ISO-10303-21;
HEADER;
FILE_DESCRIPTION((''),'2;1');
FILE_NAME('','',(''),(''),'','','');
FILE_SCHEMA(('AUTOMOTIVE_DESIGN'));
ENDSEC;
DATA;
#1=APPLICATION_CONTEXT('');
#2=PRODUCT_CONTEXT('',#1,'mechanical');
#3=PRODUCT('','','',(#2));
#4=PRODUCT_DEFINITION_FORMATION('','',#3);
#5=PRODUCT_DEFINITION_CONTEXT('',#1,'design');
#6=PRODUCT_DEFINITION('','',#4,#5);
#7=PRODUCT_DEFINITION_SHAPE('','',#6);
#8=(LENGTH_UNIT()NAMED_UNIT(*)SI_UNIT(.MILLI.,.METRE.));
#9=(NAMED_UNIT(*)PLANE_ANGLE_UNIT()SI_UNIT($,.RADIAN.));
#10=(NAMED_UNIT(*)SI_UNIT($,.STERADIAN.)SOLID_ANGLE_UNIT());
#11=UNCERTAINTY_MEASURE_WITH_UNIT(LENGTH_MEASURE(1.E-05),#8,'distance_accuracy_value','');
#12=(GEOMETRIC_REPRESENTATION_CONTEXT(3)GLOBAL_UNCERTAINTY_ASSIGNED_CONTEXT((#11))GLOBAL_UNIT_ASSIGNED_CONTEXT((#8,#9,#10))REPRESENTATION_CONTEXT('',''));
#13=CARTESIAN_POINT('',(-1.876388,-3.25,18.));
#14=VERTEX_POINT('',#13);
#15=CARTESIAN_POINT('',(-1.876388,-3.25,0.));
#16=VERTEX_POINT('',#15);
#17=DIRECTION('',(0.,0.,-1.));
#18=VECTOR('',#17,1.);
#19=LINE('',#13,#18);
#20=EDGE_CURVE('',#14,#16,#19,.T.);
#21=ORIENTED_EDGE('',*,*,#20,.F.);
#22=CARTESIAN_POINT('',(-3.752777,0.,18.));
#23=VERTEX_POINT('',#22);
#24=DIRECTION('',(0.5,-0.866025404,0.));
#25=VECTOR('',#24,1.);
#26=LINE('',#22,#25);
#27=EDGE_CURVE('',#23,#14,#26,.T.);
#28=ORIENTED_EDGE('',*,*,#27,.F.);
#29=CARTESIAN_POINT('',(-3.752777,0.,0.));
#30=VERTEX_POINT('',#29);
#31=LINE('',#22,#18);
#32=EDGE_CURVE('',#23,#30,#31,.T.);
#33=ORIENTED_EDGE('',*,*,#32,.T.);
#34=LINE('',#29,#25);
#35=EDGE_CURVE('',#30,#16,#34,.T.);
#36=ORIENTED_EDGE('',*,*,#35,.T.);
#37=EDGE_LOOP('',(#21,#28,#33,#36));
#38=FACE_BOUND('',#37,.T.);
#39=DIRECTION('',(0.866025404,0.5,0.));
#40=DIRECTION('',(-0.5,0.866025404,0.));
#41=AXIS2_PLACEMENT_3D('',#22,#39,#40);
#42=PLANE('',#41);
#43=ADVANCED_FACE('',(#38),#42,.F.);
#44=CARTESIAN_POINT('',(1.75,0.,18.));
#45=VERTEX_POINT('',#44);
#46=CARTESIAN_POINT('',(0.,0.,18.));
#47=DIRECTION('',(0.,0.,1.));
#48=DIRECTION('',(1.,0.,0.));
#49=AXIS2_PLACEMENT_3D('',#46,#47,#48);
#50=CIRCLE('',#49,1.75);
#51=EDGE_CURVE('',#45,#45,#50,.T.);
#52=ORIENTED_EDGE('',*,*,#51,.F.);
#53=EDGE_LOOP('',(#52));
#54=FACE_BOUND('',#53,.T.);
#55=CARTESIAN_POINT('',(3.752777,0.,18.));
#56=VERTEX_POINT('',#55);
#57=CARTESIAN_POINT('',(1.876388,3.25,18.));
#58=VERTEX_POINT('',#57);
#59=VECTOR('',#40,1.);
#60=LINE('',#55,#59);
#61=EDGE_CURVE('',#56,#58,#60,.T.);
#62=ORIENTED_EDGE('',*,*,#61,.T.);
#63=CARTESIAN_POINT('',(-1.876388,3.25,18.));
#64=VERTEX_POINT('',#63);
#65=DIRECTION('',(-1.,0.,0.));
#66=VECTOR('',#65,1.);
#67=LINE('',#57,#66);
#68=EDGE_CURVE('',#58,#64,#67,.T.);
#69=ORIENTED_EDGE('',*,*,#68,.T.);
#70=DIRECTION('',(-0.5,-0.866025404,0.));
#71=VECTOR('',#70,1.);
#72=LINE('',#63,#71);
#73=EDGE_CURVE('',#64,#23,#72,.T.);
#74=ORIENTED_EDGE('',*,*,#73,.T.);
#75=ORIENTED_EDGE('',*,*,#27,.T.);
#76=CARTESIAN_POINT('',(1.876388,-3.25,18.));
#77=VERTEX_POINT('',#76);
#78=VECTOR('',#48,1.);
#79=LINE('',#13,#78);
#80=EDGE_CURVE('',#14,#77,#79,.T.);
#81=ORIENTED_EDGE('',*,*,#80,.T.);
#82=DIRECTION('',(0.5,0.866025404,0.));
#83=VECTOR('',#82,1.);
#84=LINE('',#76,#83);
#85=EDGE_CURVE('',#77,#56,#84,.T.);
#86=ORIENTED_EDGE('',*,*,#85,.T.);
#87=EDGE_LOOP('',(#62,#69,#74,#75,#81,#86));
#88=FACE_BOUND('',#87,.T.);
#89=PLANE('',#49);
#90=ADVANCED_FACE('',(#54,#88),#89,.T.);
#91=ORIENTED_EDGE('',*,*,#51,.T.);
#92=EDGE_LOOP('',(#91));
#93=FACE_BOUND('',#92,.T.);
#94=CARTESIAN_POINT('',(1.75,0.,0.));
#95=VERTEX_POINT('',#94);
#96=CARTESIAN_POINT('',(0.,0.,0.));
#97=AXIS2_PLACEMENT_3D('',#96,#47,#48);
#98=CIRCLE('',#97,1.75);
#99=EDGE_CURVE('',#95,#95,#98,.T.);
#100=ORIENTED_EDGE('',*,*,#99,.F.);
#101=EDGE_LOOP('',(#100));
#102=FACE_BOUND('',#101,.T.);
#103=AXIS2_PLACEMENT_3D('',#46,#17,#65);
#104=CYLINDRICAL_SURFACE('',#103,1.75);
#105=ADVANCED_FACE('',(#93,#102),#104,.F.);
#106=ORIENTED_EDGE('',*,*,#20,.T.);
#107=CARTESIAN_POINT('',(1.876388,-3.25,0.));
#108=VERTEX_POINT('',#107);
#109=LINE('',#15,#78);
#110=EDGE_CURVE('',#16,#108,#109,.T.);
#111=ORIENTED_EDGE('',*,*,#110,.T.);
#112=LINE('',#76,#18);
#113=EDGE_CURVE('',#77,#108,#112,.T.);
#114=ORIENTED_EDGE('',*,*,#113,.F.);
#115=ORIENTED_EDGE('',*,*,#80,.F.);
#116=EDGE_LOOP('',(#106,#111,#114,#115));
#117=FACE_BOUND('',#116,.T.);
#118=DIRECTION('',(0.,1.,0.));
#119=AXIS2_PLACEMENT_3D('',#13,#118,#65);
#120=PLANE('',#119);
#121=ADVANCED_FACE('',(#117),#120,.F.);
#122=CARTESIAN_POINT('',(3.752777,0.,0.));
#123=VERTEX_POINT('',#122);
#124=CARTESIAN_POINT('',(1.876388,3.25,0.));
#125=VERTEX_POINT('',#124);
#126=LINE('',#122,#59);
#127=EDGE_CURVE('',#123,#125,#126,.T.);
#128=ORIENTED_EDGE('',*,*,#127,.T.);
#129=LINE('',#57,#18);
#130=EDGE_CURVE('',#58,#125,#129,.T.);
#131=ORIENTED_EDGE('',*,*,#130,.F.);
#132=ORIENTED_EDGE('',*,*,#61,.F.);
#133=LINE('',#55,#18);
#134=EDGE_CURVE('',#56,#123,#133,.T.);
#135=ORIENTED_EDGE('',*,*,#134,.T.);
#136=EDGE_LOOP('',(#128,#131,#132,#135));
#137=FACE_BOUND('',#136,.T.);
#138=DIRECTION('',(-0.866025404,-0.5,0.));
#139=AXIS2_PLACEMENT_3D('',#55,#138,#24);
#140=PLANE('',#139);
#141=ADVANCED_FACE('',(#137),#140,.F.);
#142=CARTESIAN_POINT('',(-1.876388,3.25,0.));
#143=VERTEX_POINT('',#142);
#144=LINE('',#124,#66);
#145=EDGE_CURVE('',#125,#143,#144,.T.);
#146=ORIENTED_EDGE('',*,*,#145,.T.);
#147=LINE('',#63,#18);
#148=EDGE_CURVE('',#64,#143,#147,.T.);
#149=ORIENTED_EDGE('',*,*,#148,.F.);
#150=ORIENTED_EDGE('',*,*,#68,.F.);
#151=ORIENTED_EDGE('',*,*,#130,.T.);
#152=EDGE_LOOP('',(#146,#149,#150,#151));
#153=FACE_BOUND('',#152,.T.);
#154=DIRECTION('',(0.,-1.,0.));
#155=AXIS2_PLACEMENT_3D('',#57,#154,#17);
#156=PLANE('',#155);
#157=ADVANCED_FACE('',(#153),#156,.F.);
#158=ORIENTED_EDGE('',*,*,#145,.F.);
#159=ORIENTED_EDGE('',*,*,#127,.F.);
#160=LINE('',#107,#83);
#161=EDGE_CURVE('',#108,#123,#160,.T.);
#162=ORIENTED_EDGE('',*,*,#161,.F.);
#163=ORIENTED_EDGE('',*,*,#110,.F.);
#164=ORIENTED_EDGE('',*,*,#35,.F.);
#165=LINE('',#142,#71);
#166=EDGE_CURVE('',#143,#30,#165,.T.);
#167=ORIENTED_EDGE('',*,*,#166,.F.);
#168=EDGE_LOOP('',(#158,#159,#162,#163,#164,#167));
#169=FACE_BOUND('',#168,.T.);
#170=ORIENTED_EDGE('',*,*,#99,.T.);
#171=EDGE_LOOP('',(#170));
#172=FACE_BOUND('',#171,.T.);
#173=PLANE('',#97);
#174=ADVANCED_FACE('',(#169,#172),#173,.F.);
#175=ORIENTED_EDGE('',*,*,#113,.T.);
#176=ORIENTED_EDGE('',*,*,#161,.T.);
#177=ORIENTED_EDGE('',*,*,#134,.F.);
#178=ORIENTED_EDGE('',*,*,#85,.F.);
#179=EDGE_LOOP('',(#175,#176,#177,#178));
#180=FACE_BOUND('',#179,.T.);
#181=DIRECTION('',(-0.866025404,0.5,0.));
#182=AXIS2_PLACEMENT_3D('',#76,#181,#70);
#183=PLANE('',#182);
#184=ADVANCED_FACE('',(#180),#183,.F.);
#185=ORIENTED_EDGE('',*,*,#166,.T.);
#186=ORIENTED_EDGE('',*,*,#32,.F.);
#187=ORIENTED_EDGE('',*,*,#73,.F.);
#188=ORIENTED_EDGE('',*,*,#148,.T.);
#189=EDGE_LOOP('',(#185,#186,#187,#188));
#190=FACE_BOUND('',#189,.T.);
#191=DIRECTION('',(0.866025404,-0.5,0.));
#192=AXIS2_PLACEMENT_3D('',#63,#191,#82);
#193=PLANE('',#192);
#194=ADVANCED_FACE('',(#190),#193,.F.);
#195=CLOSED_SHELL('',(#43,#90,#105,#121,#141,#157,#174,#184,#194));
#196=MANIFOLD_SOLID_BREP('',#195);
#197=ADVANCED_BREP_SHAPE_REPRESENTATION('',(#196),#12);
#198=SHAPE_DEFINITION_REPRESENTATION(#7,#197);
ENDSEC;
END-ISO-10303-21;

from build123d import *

# Parameters (mm, degrees)
CROQUIS1_R              = 1.75
SALIENTE_EXTRUIR1_DEPTH = 18


with BuildPart() as part:
    # Croquis1 → Saliente-Extruir1 (new body)
    with BuildSketch(Plane.XY):
        Polygon((3.75277675, 0), (1.876388375, 3.25), (-1.876388375, 3.25), (-3.75277675, 0), (-1.876388375, -3.25), (1.876388375, -3.25), align=None)
        Circle(CROQUIS1_R, mode=Mode.SUBTRACT)
    extrude(amount=SALIENTE_EXTRUIR1_DEPTH)


solid = part.part
